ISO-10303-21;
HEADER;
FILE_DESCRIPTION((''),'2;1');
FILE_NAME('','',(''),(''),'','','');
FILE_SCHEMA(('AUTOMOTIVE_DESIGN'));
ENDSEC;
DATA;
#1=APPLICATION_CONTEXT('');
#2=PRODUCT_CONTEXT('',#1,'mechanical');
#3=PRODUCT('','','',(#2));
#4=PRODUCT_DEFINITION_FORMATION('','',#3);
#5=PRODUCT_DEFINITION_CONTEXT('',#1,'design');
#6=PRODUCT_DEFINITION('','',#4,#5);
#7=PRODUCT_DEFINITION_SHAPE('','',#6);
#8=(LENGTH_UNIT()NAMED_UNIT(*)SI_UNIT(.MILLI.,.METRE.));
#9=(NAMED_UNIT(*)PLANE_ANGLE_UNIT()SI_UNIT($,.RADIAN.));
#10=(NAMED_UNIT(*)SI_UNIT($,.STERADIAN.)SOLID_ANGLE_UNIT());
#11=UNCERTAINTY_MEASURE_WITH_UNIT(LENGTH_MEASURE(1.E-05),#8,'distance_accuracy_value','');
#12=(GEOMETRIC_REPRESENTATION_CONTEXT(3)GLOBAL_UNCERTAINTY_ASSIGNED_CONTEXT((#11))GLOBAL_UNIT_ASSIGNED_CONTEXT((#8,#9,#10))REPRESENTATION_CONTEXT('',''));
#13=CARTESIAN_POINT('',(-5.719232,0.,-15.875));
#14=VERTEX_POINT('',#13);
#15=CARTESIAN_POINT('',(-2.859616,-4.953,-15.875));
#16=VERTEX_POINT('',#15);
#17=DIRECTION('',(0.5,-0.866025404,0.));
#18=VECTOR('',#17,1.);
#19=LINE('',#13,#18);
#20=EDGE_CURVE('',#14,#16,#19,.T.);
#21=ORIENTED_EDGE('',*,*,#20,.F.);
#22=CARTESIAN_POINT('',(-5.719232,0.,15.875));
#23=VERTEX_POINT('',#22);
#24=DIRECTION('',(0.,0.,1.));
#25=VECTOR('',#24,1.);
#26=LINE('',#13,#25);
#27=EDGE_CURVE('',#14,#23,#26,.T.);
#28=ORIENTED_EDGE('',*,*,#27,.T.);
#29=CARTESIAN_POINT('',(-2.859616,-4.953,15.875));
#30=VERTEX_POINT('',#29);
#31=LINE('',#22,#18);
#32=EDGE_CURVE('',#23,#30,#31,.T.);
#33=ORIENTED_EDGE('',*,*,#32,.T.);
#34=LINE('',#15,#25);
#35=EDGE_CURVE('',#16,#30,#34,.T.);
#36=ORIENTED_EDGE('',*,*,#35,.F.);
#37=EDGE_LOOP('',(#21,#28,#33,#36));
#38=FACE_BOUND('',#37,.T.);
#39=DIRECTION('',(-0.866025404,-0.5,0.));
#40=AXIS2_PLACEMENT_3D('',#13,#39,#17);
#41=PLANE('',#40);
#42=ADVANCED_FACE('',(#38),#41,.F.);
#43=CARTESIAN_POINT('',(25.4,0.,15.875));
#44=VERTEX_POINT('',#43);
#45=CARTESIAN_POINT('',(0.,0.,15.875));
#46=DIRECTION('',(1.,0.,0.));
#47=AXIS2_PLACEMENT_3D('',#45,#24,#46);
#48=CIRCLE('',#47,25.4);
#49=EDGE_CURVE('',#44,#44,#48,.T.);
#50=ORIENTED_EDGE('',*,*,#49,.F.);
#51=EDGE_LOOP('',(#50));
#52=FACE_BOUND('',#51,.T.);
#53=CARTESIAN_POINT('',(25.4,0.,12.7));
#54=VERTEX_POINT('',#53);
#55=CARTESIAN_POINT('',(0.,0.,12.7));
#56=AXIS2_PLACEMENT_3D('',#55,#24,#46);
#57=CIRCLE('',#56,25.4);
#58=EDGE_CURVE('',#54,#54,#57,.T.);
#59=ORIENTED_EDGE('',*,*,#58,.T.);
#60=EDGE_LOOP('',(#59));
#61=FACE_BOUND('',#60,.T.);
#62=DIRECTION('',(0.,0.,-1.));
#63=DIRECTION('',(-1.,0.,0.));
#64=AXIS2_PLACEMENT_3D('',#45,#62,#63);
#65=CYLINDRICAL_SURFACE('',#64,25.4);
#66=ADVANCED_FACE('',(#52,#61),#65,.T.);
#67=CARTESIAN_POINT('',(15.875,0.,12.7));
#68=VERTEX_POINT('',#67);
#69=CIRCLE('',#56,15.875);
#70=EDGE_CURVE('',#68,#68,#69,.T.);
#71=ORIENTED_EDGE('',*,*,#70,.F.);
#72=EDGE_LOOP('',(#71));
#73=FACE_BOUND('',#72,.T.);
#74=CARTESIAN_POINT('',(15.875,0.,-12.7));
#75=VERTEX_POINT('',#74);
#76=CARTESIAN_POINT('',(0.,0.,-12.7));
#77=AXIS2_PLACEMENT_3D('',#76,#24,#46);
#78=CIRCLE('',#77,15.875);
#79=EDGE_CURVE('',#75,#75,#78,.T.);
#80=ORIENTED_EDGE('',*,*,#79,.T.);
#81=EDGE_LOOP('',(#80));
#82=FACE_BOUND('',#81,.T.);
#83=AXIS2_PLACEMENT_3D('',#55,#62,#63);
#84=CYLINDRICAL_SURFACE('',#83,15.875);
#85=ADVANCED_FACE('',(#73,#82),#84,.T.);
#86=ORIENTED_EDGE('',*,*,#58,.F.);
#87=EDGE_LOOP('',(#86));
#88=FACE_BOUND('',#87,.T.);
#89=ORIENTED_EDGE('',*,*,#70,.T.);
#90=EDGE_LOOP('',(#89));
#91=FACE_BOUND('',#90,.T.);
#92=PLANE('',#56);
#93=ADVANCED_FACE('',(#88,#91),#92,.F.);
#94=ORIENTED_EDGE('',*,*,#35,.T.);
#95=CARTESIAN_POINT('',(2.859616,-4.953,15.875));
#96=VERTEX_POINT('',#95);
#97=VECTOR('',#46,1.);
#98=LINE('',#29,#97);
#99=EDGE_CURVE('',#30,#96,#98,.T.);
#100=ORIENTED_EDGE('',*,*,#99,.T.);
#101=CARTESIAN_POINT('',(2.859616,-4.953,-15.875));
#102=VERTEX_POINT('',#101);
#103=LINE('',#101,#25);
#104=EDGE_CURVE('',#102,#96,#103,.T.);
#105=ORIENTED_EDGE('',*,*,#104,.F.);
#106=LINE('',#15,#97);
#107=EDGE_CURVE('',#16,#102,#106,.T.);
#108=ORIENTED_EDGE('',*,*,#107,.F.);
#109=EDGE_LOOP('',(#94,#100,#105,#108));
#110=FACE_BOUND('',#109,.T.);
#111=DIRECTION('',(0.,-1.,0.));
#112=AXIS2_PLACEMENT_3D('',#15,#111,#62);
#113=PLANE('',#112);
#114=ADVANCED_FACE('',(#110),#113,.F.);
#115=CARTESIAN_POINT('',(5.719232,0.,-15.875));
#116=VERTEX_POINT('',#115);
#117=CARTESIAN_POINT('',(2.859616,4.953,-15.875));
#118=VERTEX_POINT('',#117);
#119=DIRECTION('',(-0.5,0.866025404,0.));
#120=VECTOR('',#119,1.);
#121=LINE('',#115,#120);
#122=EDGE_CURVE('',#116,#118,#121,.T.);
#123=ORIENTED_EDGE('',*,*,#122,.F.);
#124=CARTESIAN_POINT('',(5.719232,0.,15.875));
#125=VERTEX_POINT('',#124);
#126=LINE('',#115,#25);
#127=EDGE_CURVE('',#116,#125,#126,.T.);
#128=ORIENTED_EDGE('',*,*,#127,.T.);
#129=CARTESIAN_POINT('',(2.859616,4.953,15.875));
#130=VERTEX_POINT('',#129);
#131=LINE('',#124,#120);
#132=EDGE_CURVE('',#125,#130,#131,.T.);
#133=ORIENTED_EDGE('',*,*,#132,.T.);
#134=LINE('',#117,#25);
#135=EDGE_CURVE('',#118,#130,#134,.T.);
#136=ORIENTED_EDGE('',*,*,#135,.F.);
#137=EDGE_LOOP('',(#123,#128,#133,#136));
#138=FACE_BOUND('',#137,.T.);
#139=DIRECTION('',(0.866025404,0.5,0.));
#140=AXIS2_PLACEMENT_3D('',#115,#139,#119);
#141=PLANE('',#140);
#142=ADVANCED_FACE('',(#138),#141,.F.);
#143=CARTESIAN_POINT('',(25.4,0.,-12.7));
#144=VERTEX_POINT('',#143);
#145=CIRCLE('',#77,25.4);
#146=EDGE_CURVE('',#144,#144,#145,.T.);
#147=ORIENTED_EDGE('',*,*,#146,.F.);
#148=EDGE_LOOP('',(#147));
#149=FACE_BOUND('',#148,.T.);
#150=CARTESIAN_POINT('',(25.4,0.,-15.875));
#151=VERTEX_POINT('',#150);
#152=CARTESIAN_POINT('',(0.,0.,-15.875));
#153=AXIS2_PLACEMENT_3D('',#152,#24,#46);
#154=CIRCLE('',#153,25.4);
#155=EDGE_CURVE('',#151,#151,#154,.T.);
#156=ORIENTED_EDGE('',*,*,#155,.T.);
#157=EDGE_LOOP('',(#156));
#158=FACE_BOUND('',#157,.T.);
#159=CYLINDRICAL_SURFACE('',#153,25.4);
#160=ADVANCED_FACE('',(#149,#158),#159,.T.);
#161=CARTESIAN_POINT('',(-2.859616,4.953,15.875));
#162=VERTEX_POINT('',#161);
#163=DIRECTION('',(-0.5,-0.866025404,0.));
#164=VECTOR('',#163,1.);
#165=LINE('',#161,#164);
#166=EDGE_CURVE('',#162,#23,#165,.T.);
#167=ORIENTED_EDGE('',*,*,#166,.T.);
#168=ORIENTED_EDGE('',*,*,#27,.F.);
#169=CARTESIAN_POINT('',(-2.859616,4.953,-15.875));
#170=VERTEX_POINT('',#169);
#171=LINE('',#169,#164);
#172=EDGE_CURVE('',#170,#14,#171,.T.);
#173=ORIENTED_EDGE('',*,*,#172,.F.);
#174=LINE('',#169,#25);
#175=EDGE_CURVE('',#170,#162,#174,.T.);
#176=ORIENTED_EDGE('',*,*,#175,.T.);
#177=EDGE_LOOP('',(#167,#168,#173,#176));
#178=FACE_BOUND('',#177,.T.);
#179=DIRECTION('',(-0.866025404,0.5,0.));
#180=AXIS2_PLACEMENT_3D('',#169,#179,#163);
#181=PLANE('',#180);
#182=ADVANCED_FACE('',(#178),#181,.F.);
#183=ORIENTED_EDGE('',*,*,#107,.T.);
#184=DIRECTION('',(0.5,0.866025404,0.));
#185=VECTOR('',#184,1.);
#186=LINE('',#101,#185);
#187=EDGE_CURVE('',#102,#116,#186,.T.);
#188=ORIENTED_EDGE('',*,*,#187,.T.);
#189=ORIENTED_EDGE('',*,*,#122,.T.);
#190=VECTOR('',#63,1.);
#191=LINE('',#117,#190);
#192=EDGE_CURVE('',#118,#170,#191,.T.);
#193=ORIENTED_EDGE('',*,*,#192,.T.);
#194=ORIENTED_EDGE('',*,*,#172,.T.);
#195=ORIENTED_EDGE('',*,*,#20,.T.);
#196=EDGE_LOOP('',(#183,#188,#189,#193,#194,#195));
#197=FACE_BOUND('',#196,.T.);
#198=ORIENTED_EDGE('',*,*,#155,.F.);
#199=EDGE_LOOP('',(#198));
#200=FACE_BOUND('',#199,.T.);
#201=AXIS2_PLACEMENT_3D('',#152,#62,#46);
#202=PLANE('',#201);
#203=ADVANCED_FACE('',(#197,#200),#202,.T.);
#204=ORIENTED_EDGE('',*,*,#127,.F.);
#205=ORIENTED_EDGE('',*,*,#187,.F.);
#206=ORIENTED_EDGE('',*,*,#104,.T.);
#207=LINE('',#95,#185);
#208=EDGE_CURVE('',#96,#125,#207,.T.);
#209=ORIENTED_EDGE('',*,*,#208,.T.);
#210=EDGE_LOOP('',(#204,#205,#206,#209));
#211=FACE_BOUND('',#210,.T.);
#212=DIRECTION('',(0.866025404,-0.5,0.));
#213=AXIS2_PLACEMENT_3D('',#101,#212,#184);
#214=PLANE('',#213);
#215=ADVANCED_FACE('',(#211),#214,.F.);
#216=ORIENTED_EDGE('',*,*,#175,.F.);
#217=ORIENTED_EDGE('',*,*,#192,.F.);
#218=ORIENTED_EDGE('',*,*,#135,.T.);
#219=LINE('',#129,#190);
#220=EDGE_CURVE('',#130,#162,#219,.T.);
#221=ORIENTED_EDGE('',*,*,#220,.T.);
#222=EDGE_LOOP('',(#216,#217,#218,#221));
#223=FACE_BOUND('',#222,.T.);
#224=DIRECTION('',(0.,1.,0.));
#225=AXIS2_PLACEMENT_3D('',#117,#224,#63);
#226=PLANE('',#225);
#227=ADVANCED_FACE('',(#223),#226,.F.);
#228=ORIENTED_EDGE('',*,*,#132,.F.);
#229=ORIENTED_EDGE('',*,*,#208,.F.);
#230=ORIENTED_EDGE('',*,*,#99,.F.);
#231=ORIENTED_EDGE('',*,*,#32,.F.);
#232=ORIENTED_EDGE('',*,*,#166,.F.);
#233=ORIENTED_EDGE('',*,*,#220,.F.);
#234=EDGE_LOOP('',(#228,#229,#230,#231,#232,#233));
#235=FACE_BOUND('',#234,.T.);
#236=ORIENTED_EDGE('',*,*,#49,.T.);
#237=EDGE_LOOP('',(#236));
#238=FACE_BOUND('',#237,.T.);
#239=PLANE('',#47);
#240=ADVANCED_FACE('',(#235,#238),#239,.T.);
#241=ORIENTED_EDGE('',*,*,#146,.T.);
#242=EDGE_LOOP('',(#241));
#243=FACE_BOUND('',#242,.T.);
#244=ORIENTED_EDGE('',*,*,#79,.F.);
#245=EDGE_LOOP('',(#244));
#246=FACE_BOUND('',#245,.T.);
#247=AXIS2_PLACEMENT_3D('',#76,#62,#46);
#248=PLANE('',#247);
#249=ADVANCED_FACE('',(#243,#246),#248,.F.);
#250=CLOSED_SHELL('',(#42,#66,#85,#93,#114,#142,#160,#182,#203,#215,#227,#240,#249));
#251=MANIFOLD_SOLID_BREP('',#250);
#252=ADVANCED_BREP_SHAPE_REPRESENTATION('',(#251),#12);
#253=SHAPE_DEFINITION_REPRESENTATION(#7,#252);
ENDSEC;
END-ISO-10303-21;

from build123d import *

# Parameters (mm, degrees)
SKETCH1_R        = 15.875
DRUM_DEPTH       = 12.7
SKETCH3_R        = 25.4
FLANGE_DEPTH     = 3.175
ATTACHMENT_DEPTH = 48.941448664


with BuildPart() as part:
    # Sketch1 → Drum (new, symmetric)
    with BuildSketch(Plane.XY):
        Circle(SKETCH1_R)
    extrude(amount=DRUM_DEPTH, both=True)

    # Sketch3 → Flange (add)
    with BuildSketch(Plane.XY.offset(12.7)):
        Circle(SKETCH3_R)
    flange = extrude(amount=FLANGE_DEPTH)

    # Flange2: Flange across plane
    add(flange.mirror(Plane.XY))

    # Sketch4 → Attachment (cut, through all)
    with BuildSketch(Plane.XY.offset(15.875)):
        Polygon((5.719231767, 0), (2.859615883, 4.953), (-2.859615883, 4.953), (-5.719231767, 0), (-2.859615883, -4.953), (2.859615883, -4.953), align=None)
    extrude(amount=-ATTACHMENT_DEPTH, mode=Mode.SUBTRACT)


solid = part.part
